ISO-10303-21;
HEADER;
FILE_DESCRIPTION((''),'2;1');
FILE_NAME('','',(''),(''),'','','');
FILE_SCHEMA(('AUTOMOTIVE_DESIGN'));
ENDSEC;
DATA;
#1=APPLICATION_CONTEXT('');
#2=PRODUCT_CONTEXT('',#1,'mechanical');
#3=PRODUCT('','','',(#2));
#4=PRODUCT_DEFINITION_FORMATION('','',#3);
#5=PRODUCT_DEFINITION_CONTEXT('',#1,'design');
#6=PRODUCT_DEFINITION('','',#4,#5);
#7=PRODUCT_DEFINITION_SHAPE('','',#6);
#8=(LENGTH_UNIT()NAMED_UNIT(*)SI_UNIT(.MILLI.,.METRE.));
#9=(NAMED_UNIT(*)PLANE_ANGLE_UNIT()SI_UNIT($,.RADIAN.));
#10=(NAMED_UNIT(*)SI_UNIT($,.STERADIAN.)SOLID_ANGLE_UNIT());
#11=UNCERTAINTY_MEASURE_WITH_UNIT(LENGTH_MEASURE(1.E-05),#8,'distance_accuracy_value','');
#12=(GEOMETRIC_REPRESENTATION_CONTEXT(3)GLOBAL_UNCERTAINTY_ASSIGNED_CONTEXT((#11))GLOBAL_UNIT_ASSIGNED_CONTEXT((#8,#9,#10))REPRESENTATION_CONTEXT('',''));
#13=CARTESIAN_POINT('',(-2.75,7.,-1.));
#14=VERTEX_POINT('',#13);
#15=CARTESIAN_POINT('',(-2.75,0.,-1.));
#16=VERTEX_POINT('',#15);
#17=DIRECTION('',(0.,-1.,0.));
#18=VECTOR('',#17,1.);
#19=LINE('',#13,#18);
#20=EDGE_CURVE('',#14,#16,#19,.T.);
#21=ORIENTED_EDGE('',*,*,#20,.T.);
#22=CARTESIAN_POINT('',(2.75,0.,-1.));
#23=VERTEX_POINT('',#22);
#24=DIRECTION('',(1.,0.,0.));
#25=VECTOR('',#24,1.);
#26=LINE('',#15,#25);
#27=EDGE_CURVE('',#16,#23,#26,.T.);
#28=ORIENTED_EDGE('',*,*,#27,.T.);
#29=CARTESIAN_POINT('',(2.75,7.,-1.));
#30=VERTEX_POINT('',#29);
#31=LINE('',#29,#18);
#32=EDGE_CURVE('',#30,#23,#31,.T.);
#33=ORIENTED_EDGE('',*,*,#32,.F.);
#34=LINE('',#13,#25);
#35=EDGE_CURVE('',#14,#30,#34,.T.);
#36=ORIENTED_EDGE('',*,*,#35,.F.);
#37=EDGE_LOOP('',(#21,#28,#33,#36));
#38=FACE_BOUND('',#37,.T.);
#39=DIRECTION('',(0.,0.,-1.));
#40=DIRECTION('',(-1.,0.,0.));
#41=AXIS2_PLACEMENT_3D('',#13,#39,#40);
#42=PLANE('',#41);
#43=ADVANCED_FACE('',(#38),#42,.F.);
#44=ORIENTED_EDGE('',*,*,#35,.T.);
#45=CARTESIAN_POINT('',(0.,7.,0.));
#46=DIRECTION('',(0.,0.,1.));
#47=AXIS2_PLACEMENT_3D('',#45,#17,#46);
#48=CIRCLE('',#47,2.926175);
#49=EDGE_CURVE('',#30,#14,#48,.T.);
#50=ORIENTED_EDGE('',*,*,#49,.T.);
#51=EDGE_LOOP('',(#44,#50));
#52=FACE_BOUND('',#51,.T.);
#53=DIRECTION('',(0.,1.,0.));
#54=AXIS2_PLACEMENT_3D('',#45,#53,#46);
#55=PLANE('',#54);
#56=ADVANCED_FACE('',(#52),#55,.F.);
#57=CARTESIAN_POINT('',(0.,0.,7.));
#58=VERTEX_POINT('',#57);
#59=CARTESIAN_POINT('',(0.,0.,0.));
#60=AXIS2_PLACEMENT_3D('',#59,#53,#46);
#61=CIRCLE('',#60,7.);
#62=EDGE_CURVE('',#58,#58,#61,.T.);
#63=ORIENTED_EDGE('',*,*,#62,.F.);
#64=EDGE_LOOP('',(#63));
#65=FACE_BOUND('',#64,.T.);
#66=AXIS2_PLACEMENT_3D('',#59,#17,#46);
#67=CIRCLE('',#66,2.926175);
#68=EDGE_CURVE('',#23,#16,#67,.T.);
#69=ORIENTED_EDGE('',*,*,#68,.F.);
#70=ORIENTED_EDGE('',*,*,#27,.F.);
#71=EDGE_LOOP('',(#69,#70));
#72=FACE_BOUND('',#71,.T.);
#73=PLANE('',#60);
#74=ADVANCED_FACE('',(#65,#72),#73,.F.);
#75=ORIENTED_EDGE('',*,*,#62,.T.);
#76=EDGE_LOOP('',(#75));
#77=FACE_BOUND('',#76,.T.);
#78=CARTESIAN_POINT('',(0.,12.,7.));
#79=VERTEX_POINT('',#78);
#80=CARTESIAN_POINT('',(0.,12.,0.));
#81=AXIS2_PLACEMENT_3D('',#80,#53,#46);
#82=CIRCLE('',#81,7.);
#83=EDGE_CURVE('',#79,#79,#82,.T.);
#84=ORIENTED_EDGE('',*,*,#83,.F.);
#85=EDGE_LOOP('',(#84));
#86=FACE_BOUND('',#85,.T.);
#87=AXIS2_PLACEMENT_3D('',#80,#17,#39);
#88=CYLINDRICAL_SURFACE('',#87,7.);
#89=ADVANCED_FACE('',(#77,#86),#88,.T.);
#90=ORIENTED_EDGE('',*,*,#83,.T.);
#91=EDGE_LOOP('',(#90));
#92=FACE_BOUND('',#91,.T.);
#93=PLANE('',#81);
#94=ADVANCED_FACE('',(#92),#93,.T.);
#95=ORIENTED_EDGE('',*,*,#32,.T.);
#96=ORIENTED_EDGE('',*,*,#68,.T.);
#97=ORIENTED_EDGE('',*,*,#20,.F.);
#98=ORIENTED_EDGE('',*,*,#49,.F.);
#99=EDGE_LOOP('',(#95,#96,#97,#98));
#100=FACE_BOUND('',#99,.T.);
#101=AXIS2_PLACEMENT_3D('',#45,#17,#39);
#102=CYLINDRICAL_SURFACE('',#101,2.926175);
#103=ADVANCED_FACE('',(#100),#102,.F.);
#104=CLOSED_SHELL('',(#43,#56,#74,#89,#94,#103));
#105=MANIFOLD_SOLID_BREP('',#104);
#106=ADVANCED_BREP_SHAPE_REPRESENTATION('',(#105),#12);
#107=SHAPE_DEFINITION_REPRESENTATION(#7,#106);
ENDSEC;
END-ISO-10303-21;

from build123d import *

# Parameters (mm, degrees)
SKETCH1_R           = 7
BOSS_EXTRUDE1_DEPTH = 12
CUT_EXTRUDE1_DEPTH  = 7


with BuildPart() as part:
    # Sketch1 → Boss-Extrude1 (new body)
    with BuildSketch(Plane(origin=(0, 0, 0), x_dir=(1, 0, 0), z_dir=(0, 1, 0))):
        Circle(SKETCH1_R)
    extrude(amount=BOSS_EXTRUDE1_DEPTH)

    # Sketch2 → Cut-Extrude1 (cut)
    with BuildSketch(Plane.XZ):
        with BuildLine():
            Line((-2.75, -1), (2.75, -1))
            ThreePointArc((2.75, -1), (0, 2.926174978), (-2.75, -1))
        make_face()
    extrude(amount=-CUT_EXTRUDE1_DEPTH, mode=Mode.SUBTRACT)


solid = part.part
